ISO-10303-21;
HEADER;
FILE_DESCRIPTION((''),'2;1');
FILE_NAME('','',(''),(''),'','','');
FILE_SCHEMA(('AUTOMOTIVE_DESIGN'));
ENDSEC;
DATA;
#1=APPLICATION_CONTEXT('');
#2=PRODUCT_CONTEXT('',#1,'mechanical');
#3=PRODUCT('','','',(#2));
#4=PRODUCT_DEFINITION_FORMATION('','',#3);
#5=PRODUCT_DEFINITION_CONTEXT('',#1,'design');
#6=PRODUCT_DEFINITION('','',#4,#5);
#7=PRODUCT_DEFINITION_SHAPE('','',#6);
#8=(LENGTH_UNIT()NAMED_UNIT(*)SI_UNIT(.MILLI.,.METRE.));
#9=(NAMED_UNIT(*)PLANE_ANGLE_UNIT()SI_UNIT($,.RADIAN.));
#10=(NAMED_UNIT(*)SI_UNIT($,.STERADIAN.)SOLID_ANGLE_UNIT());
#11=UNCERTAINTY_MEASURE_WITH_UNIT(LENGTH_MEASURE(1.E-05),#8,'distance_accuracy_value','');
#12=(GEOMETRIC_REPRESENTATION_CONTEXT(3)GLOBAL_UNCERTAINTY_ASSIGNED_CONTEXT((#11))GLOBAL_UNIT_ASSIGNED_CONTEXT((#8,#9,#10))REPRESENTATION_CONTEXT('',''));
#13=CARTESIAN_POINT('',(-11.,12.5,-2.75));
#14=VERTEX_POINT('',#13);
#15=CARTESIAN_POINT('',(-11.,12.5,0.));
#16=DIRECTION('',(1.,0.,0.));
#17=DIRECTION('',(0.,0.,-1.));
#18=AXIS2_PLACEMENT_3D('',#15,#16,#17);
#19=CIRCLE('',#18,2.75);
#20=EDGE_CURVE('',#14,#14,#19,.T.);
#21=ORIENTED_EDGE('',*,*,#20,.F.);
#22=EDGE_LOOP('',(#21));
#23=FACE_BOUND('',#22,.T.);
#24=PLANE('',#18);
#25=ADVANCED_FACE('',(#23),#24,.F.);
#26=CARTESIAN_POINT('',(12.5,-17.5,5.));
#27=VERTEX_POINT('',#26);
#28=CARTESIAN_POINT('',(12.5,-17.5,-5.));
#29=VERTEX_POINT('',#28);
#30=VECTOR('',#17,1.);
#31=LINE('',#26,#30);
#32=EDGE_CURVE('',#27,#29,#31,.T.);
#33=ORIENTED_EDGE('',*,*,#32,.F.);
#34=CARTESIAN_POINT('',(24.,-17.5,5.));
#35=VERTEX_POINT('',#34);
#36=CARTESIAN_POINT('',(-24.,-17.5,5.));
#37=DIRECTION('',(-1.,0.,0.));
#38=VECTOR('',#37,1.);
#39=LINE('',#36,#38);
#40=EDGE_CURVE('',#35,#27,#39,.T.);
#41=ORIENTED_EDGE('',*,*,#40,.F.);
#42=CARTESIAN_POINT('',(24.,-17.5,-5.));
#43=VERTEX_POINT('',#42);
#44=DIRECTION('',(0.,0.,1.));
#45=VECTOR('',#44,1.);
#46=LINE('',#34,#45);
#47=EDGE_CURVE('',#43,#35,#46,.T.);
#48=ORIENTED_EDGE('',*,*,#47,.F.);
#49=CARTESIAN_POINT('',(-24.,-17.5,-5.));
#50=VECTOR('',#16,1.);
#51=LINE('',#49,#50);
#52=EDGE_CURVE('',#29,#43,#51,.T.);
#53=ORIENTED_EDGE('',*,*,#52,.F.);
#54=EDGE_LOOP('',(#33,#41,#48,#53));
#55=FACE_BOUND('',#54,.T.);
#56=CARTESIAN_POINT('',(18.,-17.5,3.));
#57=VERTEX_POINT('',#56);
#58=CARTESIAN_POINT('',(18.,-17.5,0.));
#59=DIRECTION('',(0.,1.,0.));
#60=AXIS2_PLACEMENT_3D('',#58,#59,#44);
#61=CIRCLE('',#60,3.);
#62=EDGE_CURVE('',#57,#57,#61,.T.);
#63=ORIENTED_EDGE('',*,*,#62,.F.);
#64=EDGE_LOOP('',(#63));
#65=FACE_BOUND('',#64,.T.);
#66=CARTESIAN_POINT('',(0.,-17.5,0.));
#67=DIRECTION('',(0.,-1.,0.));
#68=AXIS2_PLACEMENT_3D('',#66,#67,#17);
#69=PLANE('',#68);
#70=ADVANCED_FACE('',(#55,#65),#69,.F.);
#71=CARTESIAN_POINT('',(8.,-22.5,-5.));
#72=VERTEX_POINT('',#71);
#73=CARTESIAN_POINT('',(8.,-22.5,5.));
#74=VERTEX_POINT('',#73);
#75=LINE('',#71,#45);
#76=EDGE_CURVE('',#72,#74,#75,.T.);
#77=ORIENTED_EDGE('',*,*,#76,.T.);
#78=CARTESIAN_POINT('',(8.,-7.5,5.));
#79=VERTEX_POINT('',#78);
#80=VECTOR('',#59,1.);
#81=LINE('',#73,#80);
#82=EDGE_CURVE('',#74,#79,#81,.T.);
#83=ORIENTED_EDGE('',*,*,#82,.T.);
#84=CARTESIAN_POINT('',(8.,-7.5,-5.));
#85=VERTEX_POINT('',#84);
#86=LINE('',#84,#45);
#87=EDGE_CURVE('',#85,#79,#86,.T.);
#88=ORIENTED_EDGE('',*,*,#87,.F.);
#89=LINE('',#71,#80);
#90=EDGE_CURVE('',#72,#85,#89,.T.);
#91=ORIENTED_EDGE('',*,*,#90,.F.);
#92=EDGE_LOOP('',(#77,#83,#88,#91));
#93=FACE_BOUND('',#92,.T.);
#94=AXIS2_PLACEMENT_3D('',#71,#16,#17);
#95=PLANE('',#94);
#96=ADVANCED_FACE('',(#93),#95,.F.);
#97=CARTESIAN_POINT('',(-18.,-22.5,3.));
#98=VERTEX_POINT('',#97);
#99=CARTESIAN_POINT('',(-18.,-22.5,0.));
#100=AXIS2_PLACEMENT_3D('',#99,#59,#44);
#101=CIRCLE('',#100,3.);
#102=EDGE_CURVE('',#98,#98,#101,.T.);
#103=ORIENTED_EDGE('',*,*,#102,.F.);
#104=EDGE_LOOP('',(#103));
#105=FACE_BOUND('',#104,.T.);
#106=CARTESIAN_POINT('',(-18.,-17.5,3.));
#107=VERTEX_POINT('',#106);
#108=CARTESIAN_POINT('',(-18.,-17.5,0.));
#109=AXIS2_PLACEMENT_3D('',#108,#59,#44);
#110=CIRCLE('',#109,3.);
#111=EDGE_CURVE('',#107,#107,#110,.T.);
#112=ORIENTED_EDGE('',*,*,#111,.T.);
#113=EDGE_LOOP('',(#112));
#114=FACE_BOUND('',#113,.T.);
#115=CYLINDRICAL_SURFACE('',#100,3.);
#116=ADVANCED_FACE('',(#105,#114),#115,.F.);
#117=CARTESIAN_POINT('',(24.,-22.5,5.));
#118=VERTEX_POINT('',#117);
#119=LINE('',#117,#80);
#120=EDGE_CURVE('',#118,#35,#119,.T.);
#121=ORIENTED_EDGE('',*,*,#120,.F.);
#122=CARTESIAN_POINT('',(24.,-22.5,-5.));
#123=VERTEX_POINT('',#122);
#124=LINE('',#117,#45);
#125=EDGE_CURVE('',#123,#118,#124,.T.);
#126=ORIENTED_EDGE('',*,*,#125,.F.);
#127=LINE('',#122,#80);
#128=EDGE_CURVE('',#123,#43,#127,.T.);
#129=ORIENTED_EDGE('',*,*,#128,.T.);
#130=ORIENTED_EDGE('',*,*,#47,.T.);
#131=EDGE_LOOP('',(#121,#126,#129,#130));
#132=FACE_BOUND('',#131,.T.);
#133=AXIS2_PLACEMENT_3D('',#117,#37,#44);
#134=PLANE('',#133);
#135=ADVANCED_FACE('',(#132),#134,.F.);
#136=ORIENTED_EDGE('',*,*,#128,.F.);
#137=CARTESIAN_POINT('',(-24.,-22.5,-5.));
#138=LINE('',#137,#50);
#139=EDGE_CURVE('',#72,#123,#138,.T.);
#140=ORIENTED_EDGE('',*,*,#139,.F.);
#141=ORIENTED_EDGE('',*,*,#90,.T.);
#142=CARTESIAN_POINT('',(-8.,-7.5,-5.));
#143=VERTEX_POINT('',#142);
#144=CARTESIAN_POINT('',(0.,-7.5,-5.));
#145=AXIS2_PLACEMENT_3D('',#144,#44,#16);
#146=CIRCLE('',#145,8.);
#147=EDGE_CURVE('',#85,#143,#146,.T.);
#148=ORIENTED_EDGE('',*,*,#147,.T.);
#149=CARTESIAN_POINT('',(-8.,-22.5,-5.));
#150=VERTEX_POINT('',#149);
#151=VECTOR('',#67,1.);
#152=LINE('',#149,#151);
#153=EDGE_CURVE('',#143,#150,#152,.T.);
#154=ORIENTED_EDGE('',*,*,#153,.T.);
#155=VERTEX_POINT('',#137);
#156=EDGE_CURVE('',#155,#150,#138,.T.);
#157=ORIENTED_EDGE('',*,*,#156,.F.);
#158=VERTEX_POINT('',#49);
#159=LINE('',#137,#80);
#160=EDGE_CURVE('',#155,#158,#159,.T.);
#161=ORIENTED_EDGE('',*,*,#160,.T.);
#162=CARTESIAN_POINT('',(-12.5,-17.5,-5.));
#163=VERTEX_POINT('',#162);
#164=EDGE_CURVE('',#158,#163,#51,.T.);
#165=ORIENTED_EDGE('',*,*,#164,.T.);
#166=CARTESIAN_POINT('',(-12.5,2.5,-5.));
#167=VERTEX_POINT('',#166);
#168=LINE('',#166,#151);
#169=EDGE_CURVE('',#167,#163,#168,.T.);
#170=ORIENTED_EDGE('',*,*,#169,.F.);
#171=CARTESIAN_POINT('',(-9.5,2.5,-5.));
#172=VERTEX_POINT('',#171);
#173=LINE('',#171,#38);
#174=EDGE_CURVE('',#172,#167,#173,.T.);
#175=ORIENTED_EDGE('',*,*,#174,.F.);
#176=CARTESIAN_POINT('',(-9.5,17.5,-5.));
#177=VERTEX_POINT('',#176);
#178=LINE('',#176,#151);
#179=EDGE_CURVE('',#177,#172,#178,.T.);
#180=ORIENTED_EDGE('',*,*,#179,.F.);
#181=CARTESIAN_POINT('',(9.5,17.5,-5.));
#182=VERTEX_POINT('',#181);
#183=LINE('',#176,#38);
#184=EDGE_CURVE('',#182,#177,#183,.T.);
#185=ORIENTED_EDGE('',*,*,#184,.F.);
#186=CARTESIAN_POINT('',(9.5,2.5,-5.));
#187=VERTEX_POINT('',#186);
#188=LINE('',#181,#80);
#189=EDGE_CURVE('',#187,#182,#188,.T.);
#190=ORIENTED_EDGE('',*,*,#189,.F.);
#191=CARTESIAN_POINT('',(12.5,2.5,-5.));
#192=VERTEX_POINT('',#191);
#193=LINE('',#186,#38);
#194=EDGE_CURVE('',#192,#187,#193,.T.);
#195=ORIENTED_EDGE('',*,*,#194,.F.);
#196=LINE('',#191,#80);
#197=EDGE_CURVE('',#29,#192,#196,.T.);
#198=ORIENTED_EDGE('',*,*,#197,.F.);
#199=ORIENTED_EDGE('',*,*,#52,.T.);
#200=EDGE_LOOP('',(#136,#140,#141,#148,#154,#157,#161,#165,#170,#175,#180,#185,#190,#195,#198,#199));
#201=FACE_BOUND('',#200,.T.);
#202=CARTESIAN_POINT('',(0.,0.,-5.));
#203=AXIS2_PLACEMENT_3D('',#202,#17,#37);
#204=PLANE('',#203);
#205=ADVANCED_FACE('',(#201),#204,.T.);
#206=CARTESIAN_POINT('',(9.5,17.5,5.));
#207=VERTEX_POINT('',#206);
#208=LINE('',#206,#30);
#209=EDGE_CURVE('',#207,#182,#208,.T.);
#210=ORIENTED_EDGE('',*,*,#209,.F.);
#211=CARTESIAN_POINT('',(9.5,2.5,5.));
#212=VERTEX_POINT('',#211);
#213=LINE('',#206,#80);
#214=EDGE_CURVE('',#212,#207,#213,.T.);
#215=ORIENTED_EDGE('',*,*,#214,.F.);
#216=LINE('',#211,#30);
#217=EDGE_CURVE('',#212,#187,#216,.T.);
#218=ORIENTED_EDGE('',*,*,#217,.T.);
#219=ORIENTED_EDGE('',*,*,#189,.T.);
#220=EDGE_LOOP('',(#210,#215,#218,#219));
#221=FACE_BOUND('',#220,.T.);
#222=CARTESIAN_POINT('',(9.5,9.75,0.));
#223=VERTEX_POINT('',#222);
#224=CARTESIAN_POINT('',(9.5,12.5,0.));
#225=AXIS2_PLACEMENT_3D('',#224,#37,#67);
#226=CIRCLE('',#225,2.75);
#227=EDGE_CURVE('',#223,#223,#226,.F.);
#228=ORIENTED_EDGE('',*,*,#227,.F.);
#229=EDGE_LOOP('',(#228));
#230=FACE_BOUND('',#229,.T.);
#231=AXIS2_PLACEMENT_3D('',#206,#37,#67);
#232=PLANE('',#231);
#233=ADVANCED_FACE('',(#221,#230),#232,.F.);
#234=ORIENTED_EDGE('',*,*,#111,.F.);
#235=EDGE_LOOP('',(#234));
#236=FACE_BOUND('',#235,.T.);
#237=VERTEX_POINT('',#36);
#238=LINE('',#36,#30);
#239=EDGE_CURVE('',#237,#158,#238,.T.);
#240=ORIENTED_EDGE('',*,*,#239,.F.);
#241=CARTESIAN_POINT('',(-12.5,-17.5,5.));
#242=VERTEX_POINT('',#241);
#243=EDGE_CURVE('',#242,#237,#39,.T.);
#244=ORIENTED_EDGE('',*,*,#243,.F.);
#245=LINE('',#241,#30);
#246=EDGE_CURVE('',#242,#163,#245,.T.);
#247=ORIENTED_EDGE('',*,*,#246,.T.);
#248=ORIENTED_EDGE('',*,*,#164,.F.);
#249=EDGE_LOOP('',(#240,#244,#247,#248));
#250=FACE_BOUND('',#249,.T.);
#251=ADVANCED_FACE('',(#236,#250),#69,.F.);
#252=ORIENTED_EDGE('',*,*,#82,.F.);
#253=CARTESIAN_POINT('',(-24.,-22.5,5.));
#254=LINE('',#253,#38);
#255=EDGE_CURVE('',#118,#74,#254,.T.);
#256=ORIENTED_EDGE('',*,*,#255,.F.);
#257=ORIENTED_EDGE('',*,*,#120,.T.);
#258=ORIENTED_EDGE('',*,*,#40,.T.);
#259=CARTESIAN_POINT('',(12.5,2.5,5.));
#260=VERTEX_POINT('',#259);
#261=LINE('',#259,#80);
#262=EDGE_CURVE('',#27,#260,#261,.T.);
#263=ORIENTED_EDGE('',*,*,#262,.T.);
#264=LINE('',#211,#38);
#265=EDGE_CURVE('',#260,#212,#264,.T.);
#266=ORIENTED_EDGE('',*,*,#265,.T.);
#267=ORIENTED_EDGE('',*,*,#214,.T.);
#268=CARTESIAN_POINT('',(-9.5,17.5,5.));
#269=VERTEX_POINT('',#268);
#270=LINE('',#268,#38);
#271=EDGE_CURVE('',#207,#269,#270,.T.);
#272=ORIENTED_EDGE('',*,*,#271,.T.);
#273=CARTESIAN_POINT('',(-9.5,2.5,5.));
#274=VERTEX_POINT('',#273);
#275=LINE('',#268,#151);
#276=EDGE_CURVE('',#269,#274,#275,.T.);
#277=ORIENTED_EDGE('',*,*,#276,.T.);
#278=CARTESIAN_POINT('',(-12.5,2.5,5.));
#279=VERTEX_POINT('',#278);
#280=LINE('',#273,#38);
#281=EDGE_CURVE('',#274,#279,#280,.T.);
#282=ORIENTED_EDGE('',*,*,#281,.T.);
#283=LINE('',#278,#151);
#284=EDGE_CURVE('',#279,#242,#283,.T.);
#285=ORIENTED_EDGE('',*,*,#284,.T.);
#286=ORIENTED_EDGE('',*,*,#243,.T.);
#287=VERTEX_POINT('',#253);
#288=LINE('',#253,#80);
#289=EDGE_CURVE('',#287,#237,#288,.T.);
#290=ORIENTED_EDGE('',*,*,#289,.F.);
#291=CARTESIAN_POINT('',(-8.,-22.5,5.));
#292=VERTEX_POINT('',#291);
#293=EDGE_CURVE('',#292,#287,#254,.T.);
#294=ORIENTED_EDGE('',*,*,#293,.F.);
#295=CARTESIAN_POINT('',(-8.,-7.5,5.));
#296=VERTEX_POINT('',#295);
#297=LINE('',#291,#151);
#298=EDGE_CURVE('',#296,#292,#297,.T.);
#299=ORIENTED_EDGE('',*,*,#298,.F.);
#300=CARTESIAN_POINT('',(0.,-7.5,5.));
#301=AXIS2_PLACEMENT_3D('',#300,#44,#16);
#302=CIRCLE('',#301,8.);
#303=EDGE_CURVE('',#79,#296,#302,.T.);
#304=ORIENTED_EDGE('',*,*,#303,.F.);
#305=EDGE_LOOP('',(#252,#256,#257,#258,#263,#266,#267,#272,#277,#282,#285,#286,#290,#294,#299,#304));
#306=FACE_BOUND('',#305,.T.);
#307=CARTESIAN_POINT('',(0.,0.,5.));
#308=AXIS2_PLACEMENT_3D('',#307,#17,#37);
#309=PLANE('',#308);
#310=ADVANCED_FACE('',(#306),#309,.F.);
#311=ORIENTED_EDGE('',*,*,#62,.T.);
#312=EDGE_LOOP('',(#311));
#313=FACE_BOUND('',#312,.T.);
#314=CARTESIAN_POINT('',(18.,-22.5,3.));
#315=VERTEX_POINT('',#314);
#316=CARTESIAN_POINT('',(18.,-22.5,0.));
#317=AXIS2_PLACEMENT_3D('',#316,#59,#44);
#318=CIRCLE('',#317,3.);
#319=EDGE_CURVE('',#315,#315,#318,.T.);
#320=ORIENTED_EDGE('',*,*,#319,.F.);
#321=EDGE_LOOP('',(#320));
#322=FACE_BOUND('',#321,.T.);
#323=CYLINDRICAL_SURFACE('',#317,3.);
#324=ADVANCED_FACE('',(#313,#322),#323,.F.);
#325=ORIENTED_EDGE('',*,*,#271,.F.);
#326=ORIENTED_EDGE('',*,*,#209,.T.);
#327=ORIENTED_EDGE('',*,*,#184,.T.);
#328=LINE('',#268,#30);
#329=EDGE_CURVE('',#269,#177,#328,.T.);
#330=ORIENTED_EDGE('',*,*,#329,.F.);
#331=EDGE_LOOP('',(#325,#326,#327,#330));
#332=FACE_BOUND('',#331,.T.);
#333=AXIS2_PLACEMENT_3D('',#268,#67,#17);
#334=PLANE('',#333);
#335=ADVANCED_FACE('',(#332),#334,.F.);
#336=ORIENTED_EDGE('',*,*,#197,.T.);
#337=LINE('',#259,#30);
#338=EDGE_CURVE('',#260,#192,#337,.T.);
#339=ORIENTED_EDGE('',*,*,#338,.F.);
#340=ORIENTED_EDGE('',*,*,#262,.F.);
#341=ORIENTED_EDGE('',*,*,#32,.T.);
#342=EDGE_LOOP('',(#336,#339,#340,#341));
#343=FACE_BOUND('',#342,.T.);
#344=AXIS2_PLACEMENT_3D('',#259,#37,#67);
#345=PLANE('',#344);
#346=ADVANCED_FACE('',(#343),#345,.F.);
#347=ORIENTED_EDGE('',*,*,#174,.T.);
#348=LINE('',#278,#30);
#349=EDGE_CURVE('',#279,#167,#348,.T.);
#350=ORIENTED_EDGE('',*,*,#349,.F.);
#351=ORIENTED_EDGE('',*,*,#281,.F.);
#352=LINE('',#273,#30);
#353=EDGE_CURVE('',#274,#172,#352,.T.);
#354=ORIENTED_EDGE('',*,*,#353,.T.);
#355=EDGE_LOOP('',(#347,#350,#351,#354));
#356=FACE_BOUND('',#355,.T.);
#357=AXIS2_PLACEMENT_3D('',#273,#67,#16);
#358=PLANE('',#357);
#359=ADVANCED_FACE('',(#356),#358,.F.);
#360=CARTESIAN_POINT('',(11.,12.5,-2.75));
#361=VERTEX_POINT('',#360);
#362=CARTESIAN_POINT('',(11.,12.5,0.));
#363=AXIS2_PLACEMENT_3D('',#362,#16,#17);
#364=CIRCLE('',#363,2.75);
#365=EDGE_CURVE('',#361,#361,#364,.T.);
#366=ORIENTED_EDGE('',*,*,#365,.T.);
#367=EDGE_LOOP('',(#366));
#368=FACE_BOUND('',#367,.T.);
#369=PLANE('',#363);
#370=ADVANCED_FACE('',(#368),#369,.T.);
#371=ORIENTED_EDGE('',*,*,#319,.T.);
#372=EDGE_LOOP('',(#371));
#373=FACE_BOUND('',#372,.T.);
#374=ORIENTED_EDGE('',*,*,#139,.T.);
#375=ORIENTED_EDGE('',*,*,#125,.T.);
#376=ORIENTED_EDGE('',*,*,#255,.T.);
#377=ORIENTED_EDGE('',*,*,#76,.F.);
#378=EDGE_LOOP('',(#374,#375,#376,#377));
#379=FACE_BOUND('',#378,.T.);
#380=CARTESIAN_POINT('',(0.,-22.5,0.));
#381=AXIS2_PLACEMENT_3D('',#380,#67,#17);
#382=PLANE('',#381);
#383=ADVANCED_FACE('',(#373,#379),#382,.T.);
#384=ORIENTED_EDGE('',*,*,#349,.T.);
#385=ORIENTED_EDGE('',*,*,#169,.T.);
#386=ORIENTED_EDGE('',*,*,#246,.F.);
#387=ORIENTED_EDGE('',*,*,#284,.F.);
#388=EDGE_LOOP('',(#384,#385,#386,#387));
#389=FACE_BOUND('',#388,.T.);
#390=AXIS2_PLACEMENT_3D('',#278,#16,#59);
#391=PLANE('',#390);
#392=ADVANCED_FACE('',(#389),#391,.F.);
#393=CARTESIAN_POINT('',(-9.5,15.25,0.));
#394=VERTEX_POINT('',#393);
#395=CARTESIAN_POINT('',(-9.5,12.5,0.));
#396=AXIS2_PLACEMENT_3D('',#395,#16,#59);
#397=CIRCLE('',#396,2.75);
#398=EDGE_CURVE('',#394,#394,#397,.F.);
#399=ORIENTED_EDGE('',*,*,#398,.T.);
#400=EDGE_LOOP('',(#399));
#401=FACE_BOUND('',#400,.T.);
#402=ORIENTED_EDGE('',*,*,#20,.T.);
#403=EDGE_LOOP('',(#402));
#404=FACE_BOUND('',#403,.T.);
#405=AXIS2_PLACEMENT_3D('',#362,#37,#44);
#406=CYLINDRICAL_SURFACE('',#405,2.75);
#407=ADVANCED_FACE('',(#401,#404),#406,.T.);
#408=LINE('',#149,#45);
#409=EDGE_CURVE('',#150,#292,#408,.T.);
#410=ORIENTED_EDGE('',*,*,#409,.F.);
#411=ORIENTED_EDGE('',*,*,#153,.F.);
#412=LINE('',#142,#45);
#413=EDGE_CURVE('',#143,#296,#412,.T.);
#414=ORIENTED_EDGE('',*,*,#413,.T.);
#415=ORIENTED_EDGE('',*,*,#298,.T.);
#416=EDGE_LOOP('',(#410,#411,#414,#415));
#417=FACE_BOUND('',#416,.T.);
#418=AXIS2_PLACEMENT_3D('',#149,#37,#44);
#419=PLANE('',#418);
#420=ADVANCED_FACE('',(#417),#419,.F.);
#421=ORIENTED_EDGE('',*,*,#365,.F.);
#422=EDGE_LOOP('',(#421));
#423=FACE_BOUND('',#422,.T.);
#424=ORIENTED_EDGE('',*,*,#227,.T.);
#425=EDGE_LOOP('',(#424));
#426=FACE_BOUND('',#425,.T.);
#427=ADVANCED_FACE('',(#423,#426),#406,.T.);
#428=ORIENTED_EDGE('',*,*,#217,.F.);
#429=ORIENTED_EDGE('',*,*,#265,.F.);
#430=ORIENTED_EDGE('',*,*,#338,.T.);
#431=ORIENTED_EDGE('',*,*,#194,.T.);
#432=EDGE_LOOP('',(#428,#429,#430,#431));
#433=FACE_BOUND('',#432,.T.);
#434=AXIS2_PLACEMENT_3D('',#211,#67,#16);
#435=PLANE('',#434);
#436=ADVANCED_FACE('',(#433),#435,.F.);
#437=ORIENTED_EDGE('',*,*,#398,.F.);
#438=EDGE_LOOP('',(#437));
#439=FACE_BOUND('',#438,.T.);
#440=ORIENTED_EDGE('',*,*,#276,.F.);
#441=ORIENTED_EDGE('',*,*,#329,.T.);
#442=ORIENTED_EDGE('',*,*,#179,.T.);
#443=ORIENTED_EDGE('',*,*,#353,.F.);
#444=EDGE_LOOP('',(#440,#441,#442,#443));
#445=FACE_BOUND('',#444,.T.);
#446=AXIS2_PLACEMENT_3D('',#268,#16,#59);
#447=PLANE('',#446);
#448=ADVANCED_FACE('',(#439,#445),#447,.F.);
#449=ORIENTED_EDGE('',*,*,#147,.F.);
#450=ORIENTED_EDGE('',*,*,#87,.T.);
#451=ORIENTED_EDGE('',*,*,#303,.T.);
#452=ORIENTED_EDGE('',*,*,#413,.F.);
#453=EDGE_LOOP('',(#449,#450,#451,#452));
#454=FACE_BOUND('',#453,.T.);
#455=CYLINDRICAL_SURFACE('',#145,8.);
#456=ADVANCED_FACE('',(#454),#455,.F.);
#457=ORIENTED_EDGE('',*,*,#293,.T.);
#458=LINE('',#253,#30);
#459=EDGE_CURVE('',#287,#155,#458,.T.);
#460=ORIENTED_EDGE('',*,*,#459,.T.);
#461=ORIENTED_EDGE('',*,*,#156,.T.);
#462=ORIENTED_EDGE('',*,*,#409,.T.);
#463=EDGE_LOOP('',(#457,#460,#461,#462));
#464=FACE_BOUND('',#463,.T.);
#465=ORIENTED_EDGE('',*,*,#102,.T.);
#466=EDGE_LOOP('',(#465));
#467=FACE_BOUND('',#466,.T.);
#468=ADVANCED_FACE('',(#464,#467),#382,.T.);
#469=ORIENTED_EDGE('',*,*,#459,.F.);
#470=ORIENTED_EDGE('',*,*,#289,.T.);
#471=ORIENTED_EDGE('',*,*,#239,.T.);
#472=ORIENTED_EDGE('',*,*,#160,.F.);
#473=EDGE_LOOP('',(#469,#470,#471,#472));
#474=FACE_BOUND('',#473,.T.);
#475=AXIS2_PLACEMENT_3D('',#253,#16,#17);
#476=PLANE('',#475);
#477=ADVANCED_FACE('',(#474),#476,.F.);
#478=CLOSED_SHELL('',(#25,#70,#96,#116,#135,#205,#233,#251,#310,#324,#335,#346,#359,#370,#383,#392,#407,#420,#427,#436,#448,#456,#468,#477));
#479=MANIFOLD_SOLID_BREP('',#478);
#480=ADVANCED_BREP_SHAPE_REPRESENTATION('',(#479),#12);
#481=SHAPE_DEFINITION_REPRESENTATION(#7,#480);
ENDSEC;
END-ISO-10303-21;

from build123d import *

# Parameters (mm, degrees)
BOSS_EXTRUDE1_DEPTH = 5
SKETCH4_R           = 2.75
BOSS_EXTRUDE3_DEPTH = 11
SKETCH6_W           = 48
SKETCH6_H           = 10
BOSS_EXTRUDE4_DEPTH = 5
SKETCH7_R           = 3
CUT_EXTRUDE2_DEPTH  = 6
CUT_EXTRUDE3_DEPTH  = 11


with BuildPart() as part:
    # Sketch1 → Boss-Extrude1 (new body, symmetric)
    with BuildSketch(Plane.XY):
        Polygon((-9.5, 17.5), (9.5, 17.5), (9.5, 2.5), (12.5, 2.5), (12.5, -17.5), (-12.5, -17.5), (-12.5, 2.5), (-9.5, 2.5), align=None)
    extrude(amount=BOSS_EXTRUDE1_DEPTH, both=True)

    # Sketch4 → Boss-Extrude3 (add, symmetric)
    with BuildSketch(Plane(origin=(0, 0, 0), x_dir=(0, 0, -1), z_dir=(1, 0, 0))):
        with Locations((0, 12.5)):
            Circle(SKETCH4_R)
    extrude(amount=BOSS_EXTRUDE3_DEPTH, both=True)

    # Sketch6 → Boss-Extrude4 (add)
    with BuildSketch(Plane.XZ.offset(17.5)):
        Rectangle(SKETCH6_W, SKETCH6_H)
    extrude(amount=BOSS_EXTRUDE4_DEPTH)

    # Sketch7 → Cut-Extrude2 (cut, through all)
    with BuildSketch(Plane(origin=(0, -17.5, 0), x_dir=(1, 0, 0), z_dir=(0, 1, 0))):
        with Locations((-18, 0)):
            Circle(SKETCH7_R)
        with Locations((18, 0)):
            Circle(SKETCH7_R)
    extrude(amount=-CUT_EXTRUDE2_DEPTH, mode=Mode.SUBTRACT)

    # Sketch8 → Cut-Extrude3 (cut, through all)
    with BuildSketch(Plane.XY.offset(5)):
        with BuildLine():
            Line((-8, -22.5), (-8, -7.5))
            ThreePointArc((-8, -7.5), (0, 0.5), (8, -7.5))
            Line((8, -7.5), (8, -22.5))
            ThreePointArc((8, -22.5), (0, -30.5), (-8, -22.5))
        make_face()
    extrude(amount=-CUT_EXTRUDE3_DEPTH, mode=Mode.SUBTRACT)


solid = part.part
